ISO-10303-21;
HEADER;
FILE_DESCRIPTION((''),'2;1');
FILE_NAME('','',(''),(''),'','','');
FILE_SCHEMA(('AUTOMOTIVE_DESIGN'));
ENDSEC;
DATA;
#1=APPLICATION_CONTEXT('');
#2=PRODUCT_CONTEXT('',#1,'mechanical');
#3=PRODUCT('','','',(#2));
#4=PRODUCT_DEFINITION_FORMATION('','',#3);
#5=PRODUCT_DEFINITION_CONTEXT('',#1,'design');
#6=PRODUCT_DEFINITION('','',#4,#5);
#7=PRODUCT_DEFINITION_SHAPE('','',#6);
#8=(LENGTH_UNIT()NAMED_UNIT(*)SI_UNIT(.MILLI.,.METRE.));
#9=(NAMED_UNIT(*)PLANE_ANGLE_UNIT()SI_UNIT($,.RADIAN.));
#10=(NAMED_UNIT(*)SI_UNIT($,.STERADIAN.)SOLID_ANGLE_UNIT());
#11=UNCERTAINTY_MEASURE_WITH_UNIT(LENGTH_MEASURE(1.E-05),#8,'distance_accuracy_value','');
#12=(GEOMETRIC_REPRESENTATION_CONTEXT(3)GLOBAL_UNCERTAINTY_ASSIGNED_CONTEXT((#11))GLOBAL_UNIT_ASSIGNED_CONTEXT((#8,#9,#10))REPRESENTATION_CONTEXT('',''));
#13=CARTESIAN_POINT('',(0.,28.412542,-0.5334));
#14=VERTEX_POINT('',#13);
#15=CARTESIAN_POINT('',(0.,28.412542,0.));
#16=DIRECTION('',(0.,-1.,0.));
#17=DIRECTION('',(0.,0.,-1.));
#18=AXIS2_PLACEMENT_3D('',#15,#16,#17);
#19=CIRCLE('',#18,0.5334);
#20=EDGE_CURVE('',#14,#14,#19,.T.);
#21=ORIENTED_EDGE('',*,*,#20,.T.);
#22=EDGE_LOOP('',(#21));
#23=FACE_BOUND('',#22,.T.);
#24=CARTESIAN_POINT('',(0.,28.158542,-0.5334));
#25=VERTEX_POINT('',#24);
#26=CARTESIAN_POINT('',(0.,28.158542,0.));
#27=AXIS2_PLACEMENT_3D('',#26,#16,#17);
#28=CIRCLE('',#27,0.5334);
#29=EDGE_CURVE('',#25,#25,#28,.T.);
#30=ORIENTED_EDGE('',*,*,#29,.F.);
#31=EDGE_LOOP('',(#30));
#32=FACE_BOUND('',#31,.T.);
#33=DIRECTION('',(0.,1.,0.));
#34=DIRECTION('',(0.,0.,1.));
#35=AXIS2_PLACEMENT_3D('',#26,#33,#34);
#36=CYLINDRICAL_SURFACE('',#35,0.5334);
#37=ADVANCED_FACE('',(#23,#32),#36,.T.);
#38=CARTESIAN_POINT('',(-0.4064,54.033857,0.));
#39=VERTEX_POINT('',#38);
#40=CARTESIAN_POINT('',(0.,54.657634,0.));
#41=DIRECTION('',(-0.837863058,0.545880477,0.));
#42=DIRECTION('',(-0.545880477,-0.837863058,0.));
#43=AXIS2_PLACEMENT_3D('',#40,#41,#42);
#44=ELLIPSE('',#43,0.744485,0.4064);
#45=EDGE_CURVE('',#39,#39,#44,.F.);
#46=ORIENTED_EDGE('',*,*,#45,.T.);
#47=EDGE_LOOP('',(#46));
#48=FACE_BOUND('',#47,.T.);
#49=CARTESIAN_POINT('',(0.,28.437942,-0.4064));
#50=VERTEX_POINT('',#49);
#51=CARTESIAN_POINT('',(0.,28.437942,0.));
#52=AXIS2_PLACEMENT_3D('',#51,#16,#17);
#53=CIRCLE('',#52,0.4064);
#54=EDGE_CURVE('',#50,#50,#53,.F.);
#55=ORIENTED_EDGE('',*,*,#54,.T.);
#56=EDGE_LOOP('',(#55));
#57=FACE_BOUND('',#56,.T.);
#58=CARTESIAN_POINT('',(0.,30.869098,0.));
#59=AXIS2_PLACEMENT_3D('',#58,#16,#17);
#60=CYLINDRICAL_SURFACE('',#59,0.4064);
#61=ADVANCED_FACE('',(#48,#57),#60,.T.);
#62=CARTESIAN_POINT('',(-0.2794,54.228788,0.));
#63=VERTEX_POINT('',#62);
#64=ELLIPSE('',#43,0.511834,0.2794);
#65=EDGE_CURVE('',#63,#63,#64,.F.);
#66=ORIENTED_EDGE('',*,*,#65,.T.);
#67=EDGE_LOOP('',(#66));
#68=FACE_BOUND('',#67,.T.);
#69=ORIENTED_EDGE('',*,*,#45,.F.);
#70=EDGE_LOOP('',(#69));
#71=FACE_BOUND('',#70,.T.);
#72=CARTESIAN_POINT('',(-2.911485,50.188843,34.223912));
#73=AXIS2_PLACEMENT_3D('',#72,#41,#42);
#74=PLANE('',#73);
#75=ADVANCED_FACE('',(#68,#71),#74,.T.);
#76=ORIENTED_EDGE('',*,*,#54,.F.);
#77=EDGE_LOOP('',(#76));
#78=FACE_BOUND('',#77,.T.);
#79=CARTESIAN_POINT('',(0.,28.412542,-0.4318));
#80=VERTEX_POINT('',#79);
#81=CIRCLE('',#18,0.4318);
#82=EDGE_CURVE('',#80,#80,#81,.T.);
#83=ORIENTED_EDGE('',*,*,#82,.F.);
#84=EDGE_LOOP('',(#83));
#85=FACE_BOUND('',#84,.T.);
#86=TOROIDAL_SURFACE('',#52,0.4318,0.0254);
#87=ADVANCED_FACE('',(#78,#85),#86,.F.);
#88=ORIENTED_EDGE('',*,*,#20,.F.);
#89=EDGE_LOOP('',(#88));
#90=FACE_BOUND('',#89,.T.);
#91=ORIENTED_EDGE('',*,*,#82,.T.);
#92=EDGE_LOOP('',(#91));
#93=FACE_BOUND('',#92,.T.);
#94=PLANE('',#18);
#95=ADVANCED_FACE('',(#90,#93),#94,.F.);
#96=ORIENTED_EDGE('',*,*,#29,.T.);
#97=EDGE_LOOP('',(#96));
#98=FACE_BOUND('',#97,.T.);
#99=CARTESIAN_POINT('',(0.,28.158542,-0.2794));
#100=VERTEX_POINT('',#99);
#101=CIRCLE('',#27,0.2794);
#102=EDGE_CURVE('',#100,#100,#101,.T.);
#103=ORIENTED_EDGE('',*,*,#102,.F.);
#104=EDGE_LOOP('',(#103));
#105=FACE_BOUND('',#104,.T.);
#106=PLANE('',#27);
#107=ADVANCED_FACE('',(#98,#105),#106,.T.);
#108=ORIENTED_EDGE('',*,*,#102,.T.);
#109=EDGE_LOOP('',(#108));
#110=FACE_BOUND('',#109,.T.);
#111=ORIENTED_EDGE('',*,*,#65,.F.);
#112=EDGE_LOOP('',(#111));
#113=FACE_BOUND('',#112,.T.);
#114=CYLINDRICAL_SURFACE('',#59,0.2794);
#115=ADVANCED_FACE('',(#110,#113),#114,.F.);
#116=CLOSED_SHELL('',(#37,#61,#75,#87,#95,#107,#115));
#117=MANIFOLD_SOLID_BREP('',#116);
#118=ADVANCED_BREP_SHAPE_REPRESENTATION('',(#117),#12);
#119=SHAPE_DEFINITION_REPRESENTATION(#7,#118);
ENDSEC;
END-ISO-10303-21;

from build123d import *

# Parameters (mm, degrees)
SKETCH1_W               = 0.127
SKETCH1_H               = 27.075340428
CUT_EXTRUDE1_DEPTH      = 56.490859014
CUT_EXTRUDE1_DEPTH_BACK = 56.490859014
EXTRUDE1_START          = 0.254
SKETCH3_R               = 0.5334
SKETCH3_R_2             = 0.2794
EXTRUDE1_DEPTH          = 0.254
FILLET1_R               = 0.0254


with BuildPart() as part:
    # Sketch1 → Revolve-Thin1 (revolve)
    with BuildSketch(Plane.XY, mode=Mode.PRIVATE) as revolve_thin1_sk:
        with Locations((-0.3429, 41.950212357)):
            Rectangle(SKETCH1_W, SKETCH1_H)
    revolve(revolve_thin1_sk.sketch.rotate(Axis((0, 30.869098032, 0), (0, 1, 0)), 270), axis=Axis((0, 30.869098032, 0), (0, 1, 0)))

    # Sketch2 → Cut-Extrude1 (cut, two sides: drawn at the far end of the back side and taken through both)
    with BuildSketch(Plane.XY.offset(-CUT_EXTRUDE1_DEPTH_BACK)):
        Polygon((-39.853008345, -6.512099504), (-2.911484943, 50.188843392), (1.641018786, 57.176407255), (38.582542188, 113.877350151), (-74.819343604, 187.760396955), (-153.254894137, 67.3709473), align=None)
    extrude(amount=CUT_EXTRUDE1_DEPTH + CUT_EXTRUDE1_DEPTH_BACK, mode=Mode.SUBTRACT)

    # Sketch3 → Extrude1 (add)
    with BuildSketch(Plane.XZ.offset(-28.412542143).offset(EXTRUDE1_START)):
        with Locations(Location((0, 0, 0), (0, 0, 270))):
            Circle(SKETCH3_R)
        with Locations(Location((0, 0, 0), (0, 0, 270))):
            Circle(SKETCH3_R_2, mode=Mode.SUBTRACT)
    extrude(amount=-EXTRUDE1_DEPTH)

    # Fillet1
    fillet1_edges = [part.edges().sort_by_distance(p)[0] for p in [
        (0, 28.412542143, 0.4064),
    ]]
    fillet(fillet1_edges, radius=FILLET1_R)


solid = part.part
